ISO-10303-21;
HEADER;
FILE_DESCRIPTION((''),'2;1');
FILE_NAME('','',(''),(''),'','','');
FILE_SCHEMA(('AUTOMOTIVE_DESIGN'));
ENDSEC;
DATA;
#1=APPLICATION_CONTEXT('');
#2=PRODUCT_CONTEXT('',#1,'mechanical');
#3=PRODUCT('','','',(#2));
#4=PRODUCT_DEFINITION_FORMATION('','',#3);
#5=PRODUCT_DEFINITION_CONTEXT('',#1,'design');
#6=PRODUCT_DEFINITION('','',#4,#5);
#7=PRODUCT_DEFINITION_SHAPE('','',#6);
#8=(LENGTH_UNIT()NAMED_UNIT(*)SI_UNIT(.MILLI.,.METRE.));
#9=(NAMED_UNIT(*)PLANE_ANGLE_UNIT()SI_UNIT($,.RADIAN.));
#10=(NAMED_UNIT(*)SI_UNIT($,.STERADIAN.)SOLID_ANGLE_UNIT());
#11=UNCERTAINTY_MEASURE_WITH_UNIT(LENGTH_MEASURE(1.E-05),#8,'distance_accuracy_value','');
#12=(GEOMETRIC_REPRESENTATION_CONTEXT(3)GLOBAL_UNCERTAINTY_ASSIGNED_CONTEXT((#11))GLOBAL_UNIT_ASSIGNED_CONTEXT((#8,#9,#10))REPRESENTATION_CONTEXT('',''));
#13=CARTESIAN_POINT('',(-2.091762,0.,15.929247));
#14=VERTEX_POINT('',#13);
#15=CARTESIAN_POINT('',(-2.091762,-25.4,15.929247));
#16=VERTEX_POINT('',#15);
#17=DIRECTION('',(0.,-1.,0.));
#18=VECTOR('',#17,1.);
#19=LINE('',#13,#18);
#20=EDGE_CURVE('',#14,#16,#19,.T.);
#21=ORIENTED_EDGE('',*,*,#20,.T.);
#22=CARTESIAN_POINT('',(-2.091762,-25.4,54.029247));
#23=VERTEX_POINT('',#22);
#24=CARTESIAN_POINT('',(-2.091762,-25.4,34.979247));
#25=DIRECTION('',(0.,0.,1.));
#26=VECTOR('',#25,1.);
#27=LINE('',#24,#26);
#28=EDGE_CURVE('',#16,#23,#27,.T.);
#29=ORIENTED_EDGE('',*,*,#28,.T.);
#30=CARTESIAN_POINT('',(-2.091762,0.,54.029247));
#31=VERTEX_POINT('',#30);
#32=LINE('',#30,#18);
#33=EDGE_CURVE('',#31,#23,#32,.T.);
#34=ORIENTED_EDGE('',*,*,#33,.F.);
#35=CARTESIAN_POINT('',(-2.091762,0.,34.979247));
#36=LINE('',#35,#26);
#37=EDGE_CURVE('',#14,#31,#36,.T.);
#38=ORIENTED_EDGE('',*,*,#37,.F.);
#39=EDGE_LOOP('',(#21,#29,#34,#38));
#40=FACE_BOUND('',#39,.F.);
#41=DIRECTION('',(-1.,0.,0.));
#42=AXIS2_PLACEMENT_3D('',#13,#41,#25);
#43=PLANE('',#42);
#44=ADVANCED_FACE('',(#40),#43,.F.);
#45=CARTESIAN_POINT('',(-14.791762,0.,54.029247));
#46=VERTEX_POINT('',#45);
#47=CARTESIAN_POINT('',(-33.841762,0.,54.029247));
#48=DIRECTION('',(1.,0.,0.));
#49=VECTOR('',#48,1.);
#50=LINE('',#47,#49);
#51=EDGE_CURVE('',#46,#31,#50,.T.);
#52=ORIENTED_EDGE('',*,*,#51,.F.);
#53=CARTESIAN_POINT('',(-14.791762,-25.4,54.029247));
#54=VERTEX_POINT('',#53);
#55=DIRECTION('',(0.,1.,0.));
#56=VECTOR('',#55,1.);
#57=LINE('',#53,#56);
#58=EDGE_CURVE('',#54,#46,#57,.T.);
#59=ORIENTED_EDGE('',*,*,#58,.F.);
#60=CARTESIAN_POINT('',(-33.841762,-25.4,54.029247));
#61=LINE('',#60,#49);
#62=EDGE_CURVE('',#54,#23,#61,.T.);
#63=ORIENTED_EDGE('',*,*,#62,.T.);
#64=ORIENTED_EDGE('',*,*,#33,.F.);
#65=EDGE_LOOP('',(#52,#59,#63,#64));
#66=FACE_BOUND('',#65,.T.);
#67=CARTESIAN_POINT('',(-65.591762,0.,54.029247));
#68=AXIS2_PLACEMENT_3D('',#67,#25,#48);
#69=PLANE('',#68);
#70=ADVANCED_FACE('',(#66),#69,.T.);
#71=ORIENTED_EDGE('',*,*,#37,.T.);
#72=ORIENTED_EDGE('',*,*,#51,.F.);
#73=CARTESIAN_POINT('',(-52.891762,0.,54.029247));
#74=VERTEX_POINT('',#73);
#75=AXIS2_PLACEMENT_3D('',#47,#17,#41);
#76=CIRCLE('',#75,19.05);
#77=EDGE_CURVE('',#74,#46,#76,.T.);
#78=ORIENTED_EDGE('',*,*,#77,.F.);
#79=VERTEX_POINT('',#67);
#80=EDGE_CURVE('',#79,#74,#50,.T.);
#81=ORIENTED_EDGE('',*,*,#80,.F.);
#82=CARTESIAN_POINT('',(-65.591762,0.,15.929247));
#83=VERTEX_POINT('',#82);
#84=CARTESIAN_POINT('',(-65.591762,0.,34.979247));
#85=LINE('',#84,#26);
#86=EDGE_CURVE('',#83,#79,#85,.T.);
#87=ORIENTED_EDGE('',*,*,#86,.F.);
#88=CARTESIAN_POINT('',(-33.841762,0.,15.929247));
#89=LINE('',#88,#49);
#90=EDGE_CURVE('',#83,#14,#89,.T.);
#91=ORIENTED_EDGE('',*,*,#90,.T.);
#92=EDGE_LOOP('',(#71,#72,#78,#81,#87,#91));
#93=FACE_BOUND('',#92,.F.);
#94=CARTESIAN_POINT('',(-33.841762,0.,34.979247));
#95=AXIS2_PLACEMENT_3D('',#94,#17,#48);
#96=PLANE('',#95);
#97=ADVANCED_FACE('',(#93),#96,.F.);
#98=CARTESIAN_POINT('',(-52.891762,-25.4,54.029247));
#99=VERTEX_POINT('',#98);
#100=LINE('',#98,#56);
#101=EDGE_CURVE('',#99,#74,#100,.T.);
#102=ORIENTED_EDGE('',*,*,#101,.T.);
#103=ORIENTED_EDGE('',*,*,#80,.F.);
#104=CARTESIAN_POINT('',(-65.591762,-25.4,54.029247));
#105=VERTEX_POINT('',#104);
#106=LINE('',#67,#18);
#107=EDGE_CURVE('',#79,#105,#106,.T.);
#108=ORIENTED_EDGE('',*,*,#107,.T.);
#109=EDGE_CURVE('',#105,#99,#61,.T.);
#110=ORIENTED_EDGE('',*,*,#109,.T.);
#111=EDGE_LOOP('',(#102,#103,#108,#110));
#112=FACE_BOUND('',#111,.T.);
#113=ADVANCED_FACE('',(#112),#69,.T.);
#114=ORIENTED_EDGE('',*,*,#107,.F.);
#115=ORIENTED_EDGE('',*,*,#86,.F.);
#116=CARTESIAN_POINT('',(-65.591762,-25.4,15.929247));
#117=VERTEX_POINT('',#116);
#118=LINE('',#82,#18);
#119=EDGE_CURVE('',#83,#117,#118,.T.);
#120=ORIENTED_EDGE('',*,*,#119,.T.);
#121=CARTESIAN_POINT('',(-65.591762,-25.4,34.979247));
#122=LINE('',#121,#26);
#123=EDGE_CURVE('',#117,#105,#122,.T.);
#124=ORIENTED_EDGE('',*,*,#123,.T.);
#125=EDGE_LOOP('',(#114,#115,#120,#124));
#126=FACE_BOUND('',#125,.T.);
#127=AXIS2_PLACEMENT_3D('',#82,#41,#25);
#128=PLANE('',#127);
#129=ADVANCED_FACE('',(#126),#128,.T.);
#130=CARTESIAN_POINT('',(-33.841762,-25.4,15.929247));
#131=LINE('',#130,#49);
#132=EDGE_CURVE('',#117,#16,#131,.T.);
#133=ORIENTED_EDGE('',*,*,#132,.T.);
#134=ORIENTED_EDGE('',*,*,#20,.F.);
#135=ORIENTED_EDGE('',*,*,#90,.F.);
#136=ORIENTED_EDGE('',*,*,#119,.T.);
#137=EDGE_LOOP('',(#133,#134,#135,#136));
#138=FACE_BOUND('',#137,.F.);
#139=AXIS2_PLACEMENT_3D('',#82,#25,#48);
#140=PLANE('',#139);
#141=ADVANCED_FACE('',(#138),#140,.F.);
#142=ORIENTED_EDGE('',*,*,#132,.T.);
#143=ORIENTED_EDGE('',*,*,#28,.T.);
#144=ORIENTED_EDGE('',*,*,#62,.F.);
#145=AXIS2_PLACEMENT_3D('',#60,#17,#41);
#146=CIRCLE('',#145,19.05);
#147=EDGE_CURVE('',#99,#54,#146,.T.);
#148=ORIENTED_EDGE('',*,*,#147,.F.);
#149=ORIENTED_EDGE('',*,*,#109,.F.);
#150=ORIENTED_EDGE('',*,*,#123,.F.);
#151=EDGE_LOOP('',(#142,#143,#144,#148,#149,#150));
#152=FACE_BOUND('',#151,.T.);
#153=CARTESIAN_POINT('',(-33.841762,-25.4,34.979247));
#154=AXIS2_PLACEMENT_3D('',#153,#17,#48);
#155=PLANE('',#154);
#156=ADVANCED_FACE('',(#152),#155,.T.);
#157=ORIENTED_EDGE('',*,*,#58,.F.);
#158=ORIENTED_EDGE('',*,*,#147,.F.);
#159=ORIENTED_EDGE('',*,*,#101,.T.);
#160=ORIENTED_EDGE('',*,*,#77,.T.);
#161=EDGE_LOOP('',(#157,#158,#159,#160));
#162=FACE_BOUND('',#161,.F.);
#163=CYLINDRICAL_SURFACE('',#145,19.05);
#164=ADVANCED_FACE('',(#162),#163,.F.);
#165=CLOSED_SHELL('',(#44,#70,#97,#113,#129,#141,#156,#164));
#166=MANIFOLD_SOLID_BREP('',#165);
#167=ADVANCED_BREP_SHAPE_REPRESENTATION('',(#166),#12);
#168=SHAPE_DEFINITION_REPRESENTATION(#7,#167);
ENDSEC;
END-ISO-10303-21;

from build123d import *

# Parameters (mm, degrees)
F0_W     = 63.5
F0_H     = 38.1
F1_DEPTH = 25.4
F3_DEPTH = 25.401


with BuildPart() as f1:
    # F0 (on Front) → F1 (new body)
    with BuildSketch(Plane.XZ):
        with Locations((-33.841762, 34.979247)):
            Rectangle(F0_W, F0_H)
    extrude(amount=F1_DEPTH)

    # F2 (on face) → F3 (cut, through all)
    with BuildSketch(Plane.XZ.offset(25.4)):
        with BuildLine():
            ThreePointArc((-52.891762, 54.029247), (-33.841762, 34.979247), (-14.791762, 54.029247))
            Line((-14.791762, 54.029247), (-52.891762, 54.029247))
        make_face()
    extrude(amount=-F3_DEPTH, mode=Mode.SUBTRACT)


solid = f1.part
